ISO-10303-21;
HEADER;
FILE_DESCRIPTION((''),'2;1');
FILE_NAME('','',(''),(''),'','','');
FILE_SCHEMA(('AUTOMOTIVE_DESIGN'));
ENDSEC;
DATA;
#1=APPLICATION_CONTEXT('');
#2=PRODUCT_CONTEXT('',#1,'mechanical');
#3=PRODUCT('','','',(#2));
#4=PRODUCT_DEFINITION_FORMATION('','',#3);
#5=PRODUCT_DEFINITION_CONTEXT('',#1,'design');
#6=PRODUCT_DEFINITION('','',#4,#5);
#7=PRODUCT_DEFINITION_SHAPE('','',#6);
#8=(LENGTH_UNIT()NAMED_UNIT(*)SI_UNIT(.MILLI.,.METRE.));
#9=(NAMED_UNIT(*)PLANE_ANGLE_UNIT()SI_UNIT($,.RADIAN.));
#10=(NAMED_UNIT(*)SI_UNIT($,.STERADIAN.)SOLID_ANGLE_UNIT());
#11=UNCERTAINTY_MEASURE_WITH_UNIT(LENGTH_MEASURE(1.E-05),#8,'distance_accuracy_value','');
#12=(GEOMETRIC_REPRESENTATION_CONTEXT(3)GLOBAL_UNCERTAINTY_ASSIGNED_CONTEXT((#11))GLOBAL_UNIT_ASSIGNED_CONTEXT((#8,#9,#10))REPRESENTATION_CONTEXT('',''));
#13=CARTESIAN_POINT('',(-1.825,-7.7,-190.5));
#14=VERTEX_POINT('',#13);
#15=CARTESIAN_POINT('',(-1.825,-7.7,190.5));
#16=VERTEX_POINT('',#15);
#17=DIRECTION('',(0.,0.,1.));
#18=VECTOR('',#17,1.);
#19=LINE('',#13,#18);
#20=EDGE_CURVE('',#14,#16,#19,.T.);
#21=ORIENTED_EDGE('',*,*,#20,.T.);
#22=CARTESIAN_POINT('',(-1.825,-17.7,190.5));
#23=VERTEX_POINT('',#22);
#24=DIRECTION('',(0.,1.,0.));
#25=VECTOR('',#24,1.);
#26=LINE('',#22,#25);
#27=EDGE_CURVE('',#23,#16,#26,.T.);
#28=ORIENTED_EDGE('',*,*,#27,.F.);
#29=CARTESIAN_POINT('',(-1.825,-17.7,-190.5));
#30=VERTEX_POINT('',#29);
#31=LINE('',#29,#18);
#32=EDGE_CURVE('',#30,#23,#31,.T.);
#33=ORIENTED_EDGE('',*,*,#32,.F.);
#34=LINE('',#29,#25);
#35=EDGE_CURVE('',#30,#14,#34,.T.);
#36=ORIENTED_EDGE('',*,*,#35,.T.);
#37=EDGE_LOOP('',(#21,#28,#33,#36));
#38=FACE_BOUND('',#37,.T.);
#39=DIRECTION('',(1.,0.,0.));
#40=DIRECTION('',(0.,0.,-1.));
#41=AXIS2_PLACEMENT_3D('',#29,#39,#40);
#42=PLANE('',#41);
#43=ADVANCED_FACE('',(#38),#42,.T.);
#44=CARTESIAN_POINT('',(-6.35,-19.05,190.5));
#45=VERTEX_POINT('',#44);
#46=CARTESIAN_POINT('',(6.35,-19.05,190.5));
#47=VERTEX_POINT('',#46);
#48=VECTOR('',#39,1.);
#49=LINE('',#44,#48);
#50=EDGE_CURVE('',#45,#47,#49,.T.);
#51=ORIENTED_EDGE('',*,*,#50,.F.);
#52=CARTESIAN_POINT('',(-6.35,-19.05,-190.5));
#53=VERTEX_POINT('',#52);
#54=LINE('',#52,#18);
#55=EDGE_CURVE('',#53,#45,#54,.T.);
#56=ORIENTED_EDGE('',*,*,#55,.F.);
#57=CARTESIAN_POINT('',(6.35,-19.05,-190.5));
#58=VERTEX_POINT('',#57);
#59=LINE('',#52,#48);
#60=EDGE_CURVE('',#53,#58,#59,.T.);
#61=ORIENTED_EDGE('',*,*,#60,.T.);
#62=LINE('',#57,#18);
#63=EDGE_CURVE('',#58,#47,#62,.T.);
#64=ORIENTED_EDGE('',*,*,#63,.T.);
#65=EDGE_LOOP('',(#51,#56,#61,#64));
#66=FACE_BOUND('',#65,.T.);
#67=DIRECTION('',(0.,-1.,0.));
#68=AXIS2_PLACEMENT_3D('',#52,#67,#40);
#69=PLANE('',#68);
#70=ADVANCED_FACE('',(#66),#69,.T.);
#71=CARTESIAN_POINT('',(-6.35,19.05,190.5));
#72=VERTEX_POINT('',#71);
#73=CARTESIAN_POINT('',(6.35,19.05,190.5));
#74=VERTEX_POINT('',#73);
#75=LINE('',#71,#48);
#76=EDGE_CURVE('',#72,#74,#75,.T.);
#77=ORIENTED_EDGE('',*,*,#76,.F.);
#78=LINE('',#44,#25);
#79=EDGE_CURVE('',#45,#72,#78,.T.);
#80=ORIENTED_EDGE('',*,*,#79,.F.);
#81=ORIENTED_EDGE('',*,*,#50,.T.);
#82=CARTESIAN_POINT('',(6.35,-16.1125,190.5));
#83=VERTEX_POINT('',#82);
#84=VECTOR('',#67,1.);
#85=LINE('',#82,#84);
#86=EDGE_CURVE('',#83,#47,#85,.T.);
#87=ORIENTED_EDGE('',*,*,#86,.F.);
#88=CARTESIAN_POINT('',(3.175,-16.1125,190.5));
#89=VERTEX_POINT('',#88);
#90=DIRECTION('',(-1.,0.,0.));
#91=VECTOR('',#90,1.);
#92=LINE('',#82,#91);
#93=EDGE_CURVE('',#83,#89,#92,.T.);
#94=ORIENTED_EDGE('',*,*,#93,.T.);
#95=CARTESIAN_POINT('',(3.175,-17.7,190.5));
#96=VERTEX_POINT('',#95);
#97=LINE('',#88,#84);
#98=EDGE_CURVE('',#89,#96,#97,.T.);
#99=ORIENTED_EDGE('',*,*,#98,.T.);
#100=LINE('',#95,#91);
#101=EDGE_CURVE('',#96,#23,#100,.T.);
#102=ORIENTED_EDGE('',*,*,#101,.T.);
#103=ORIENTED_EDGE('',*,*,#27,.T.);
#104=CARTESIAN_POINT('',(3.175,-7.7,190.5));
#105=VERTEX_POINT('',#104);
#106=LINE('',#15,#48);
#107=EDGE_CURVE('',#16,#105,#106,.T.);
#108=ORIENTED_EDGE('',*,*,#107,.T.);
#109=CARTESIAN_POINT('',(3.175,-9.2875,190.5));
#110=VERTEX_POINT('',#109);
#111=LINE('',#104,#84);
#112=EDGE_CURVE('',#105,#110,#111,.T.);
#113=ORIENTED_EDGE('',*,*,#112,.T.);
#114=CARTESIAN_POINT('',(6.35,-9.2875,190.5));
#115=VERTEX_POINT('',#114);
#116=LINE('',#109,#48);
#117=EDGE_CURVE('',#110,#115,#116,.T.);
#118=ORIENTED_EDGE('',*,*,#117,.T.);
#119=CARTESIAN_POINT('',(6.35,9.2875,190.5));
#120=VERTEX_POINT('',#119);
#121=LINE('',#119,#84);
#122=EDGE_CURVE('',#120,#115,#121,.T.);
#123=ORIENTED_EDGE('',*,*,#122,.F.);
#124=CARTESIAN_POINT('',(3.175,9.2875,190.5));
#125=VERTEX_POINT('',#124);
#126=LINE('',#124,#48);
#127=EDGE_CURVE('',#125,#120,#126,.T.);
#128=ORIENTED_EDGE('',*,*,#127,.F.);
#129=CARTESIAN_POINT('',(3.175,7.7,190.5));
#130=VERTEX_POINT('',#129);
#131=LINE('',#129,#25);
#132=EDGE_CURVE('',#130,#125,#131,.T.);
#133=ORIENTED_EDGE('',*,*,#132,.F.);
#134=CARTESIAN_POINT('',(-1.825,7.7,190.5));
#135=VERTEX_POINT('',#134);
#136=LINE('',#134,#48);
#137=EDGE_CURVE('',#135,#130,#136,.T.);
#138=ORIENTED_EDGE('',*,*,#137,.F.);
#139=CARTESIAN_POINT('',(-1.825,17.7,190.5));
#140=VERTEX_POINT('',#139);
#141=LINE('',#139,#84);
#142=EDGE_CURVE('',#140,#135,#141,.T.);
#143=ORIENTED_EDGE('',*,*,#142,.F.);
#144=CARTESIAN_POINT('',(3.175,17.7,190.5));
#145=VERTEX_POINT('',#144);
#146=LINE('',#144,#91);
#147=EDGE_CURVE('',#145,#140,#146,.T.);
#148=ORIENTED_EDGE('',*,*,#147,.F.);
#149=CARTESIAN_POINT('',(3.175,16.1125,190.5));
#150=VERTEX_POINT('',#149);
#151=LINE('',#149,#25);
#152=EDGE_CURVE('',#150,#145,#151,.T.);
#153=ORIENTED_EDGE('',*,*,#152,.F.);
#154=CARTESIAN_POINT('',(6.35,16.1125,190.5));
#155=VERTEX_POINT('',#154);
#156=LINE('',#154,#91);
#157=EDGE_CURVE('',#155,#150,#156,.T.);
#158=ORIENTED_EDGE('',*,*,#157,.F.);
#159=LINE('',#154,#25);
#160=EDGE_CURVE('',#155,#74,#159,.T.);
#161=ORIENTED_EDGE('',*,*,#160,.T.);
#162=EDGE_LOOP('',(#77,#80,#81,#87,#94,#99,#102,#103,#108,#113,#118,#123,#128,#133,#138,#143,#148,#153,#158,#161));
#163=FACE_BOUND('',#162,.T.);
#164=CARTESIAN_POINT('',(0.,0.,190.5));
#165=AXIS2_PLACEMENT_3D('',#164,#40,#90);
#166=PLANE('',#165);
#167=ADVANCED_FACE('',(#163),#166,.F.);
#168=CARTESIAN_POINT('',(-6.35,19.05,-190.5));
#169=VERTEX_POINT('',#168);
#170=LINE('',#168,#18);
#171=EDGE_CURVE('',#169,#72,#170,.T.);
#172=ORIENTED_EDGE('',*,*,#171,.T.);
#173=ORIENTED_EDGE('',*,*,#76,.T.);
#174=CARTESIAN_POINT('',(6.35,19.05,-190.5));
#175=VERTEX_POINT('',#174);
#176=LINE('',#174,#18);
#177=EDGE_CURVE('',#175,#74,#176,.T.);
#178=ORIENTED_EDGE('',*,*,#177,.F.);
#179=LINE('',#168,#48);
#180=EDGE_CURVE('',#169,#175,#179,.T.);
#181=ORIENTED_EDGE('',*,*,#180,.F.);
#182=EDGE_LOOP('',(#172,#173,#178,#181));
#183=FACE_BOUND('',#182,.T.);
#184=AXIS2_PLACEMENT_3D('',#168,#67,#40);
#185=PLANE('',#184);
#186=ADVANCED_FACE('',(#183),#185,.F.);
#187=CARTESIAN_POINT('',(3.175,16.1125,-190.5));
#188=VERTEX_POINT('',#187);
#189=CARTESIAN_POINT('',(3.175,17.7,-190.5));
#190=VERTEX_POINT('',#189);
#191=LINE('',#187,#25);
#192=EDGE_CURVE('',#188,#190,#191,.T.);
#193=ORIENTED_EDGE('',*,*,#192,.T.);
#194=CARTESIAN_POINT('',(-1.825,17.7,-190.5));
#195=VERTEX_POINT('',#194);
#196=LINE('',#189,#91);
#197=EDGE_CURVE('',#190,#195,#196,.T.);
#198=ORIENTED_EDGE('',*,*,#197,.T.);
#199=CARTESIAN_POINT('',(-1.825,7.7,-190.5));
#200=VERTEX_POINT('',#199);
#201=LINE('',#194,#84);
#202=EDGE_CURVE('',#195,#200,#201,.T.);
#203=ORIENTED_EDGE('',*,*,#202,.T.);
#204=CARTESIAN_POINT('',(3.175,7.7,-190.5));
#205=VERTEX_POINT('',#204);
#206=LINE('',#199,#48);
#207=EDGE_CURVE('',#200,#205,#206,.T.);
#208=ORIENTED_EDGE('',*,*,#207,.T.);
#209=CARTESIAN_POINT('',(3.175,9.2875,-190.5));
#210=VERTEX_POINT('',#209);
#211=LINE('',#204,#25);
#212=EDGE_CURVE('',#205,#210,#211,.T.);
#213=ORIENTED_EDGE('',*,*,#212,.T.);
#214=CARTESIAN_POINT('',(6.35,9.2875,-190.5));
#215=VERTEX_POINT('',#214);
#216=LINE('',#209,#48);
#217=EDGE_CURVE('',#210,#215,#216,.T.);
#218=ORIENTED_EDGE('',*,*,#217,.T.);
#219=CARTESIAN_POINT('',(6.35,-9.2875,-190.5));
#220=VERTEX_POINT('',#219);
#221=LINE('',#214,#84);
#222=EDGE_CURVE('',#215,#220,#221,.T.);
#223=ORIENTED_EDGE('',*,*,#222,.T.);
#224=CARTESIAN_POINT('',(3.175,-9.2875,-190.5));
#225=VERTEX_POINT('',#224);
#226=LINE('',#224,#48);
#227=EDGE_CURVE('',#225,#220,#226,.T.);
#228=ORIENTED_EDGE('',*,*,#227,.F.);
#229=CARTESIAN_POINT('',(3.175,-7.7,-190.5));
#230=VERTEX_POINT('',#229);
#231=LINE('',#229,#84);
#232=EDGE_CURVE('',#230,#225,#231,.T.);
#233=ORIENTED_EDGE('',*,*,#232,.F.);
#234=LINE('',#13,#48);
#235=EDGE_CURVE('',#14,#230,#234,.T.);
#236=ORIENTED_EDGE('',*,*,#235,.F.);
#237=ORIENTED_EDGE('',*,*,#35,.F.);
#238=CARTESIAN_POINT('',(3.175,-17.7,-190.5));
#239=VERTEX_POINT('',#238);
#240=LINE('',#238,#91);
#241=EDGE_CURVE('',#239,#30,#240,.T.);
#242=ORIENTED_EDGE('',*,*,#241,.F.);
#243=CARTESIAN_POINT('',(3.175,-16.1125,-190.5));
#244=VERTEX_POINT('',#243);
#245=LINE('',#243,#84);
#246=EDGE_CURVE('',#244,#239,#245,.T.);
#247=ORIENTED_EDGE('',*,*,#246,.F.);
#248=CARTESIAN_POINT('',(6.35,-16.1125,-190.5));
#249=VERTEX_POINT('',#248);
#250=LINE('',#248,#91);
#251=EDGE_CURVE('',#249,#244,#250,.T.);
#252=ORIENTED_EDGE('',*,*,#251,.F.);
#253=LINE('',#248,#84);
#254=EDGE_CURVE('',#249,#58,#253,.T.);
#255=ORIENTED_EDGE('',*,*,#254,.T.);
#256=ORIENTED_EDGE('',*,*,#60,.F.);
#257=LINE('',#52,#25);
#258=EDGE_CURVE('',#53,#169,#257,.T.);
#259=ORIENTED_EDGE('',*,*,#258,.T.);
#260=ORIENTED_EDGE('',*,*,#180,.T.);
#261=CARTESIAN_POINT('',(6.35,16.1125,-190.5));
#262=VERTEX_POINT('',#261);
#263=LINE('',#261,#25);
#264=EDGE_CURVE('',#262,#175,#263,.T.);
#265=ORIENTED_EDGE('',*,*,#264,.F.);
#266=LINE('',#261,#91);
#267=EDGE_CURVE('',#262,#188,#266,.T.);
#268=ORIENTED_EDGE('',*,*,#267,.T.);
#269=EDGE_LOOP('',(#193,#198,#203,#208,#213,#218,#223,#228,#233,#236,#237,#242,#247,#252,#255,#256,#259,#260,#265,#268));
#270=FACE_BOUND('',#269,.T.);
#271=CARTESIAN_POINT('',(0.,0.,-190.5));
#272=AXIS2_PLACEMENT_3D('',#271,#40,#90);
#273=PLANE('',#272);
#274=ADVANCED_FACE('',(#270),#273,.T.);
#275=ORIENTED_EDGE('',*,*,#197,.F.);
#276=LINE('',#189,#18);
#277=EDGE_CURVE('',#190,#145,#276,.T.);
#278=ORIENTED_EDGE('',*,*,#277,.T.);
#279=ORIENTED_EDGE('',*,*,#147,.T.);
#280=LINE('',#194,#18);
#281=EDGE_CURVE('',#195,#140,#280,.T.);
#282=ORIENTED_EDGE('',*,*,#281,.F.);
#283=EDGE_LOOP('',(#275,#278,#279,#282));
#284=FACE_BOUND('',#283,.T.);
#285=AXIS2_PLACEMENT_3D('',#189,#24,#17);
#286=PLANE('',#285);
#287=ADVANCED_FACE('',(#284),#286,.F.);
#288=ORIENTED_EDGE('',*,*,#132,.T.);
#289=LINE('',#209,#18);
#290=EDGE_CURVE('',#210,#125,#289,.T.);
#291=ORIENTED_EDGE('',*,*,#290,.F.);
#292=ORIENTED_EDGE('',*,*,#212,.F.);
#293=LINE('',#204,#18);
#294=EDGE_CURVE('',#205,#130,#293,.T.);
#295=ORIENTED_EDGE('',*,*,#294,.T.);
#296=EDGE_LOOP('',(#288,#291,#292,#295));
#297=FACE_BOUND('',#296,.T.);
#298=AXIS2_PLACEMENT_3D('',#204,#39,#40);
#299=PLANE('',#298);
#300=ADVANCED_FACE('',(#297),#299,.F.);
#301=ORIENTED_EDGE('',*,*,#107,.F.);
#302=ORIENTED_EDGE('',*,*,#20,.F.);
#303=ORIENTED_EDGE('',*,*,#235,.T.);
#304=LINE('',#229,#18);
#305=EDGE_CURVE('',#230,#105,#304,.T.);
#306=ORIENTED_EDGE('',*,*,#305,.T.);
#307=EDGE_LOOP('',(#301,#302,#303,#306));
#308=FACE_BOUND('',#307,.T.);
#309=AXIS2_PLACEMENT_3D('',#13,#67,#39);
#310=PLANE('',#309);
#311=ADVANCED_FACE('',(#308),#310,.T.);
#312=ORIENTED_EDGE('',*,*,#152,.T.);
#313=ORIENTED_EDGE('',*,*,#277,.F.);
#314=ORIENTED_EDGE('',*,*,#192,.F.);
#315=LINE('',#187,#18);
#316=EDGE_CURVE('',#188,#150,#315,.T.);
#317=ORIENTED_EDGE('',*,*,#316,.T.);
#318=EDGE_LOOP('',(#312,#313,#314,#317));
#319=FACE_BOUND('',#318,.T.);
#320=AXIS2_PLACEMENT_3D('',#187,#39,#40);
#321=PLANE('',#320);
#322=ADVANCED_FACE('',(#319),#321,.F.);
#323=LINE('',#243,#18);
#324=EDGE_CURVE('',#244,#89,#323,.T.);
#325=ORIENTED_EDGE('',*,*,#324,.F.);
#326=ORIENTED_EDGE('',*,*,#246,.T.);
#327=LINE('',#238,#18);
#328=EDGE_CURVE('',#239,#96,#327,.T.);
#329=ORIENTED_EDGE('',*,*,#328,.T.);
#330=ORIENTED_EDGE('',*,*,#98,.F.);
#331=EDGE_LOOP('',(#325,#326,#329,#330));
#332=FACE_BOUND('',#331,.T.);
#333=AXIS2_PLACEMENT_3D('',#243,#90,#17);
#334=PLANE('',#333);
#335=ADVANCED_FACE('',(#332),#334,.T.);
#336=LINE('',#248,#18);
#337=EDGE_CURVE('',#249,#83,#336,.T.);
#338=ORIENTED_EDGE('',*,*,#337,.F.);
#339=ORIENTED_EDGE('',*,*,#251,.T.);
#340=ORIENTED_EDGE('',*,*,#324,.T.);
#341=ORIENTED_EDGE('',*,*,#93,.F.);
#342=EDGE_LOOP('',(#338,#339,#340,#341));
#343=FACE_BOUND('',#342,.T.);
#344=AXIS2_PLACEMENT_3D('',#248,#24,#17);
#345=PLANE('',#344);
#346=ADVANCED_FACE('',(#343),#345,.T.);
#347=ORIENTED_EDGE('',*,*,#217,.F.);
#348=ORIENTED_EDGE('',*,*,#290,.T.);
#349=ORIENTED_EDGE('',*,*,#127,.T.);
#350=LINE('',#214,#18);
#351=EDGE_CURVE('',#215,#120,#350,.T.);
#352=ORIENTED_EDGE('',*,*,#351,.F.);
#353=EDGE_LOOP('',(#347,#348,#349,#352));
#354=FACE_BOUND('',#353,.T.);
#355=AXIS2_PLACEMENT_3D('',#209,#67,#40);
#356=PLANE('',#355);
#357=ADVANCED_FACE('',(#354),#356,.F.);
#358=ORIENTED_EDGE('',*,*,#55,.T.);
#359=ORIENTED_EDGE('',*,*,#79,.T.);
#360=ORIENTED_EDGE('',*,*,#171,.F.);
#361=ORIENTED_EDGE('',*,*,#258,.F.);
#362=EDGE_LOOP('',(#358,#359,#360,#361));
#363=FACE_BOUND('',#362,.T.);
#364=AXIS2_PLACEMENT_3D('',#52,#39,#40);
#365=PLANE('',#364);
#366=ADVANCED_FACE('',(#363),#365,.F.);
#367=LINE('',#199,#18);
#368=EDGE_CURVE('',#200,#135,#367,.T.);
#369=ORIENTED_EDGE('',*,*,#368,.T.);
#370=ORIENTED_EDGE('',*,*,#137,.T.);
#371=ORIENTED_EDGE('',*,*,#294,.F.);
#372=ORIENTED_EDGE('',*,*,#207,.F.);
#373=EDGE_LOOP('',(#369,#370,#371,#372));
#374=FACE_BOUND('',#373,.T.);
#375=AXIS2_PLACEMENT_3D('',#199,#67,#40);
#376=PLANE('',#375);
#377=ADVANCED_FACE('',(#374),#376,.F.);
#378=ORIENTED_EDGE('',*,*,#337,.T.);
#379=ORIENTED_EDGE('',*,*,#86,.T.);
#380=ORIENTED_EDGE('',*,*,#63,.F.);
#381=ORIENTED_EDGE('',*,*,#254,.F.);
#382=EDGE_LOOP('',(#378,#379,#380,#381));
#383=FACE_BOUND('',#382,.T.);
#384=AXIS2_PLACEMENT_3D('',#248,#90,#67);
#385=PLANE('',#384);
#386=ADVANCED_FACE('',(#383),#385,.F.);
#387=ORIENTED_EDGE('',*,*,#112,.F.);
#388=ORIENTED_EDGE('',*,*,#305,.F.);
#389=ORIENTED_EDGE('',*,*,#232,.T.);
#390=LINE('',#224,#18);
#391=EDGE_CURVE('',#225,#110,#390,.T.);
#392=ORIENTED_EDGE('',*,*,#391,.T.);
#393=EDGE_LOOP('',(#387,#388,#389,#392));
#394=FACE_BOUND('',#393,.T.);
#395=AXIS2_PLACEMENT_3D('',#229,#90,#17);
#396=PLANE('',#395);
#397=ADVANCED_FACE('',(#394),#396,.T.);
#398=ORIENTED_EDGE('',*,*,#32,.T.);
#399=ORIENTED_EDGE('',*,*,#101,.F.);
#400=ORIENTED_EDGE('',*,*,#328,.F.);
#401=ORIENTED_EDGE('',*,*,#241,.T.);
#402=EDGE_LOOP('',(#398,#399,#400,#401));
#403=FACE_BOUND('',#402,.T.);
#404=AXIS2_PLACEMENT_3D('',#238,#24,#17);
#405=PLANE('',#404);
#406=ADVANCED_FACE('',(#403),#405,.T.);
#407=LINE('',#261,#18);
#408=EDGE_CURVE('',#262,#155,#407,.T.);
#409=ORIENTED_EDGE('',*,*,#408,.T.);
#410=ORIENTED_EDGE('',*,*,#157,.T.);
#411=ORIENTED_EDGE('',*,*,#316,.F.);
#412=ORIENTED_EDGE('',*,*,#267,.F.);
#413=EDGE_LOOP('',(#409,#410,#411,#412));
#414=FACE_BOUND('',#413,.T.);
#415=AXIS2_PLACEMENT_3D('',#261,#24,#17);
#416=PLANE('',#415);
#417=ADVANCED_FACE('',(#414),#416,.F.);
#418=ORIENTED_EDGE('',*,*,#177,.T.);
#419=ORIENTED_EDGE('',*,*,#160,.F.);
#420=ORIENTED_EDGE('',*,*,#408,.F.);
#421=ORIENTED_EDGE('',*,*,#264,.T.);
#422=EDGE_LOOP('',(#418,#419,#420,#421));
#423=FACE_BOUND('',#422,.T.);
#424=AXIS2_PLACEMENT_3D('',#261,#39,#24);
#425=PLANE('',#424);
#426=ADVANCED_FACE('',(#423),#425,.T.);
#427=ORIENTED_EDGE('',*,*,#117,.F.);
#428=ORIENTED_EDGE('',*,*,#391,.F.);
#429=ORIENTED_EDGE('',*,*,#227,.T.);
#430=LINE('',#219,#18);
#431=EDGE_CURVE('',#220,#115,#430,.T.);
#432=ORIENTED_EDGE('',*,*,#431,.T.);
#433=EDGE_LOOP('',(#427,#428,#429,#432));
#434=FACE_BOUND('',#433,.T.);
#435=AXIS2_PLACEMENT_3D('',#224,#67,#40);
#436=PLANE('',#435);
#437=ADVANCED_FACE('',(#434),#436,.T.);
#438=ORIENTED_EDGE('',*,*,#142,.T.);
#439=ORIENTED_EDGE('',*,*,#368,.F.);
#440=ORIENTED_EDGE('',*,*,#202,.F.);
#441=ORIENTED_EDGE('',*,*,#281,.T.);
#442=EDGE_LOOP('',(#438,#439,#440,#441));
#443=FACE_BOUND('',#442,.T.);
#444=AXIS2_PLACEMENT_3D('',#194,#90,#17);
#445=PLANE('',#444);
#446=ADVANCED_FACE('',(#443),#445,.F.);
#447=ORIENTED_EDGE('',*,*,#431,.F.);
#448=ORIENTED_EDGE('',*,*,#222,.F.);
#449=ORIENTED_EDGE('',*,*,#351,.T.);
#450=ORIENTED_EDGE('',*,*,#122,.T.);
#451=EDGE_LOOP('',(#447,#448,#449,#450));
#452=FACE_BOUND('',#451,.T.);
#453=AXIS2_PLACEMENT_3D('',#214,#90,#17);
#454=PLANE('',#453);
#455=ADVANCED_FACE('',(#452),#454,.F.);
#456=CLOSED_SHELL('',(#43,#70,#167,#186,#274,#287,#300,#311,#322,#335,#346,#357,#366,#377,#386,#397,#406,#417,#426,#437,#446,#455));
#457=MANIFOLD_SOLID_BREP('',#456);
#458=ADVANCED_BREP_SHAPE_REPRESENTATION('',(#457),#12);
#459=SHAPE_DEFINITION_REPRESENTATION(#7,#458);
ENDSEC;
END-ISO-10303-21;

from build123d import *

# Parameters (mm, degrees)
BOSS_EXTRUDE1_DEPTH      = 190.5
BOSS_EXTRUDE1_DEPTH_BACK = 190.5


with BuildPart() as part:
    # Sketch1 → Boss-Extrude1 (new, two sides: drawn at the far end of the back side and taken through both)
    with BuildSketch(Plane.XY.offset(-BOSS_EXTRUDE1_DEPTH_BACK)):
        Polygon((-6.35, -19.05), (-6.35, 19.05), (6.35, 19.05), (6.35, 16.1125), (3.175, 16.1125), (3.175, 17.7), (-1.825, 17.7), (-1.825, 7.7), (3.175, 7.7), (3.175, 9.2875), (6.35, 9.2875), (6.35, -9.2875), (3.175, -9.2875), (3.175, -7.7), (-1.825, -7.7), (-1.825, -17.7), (3.175, -17.7), (3.175, -16.1125), (6.35, -16.1125), (6.35, -19.05), align=None)
    extrude(amount=BOSS_EXTRUDE1_DEPTH + BOSS_EXTRUDE1_DEPTH_BACK)


solid = part.part
